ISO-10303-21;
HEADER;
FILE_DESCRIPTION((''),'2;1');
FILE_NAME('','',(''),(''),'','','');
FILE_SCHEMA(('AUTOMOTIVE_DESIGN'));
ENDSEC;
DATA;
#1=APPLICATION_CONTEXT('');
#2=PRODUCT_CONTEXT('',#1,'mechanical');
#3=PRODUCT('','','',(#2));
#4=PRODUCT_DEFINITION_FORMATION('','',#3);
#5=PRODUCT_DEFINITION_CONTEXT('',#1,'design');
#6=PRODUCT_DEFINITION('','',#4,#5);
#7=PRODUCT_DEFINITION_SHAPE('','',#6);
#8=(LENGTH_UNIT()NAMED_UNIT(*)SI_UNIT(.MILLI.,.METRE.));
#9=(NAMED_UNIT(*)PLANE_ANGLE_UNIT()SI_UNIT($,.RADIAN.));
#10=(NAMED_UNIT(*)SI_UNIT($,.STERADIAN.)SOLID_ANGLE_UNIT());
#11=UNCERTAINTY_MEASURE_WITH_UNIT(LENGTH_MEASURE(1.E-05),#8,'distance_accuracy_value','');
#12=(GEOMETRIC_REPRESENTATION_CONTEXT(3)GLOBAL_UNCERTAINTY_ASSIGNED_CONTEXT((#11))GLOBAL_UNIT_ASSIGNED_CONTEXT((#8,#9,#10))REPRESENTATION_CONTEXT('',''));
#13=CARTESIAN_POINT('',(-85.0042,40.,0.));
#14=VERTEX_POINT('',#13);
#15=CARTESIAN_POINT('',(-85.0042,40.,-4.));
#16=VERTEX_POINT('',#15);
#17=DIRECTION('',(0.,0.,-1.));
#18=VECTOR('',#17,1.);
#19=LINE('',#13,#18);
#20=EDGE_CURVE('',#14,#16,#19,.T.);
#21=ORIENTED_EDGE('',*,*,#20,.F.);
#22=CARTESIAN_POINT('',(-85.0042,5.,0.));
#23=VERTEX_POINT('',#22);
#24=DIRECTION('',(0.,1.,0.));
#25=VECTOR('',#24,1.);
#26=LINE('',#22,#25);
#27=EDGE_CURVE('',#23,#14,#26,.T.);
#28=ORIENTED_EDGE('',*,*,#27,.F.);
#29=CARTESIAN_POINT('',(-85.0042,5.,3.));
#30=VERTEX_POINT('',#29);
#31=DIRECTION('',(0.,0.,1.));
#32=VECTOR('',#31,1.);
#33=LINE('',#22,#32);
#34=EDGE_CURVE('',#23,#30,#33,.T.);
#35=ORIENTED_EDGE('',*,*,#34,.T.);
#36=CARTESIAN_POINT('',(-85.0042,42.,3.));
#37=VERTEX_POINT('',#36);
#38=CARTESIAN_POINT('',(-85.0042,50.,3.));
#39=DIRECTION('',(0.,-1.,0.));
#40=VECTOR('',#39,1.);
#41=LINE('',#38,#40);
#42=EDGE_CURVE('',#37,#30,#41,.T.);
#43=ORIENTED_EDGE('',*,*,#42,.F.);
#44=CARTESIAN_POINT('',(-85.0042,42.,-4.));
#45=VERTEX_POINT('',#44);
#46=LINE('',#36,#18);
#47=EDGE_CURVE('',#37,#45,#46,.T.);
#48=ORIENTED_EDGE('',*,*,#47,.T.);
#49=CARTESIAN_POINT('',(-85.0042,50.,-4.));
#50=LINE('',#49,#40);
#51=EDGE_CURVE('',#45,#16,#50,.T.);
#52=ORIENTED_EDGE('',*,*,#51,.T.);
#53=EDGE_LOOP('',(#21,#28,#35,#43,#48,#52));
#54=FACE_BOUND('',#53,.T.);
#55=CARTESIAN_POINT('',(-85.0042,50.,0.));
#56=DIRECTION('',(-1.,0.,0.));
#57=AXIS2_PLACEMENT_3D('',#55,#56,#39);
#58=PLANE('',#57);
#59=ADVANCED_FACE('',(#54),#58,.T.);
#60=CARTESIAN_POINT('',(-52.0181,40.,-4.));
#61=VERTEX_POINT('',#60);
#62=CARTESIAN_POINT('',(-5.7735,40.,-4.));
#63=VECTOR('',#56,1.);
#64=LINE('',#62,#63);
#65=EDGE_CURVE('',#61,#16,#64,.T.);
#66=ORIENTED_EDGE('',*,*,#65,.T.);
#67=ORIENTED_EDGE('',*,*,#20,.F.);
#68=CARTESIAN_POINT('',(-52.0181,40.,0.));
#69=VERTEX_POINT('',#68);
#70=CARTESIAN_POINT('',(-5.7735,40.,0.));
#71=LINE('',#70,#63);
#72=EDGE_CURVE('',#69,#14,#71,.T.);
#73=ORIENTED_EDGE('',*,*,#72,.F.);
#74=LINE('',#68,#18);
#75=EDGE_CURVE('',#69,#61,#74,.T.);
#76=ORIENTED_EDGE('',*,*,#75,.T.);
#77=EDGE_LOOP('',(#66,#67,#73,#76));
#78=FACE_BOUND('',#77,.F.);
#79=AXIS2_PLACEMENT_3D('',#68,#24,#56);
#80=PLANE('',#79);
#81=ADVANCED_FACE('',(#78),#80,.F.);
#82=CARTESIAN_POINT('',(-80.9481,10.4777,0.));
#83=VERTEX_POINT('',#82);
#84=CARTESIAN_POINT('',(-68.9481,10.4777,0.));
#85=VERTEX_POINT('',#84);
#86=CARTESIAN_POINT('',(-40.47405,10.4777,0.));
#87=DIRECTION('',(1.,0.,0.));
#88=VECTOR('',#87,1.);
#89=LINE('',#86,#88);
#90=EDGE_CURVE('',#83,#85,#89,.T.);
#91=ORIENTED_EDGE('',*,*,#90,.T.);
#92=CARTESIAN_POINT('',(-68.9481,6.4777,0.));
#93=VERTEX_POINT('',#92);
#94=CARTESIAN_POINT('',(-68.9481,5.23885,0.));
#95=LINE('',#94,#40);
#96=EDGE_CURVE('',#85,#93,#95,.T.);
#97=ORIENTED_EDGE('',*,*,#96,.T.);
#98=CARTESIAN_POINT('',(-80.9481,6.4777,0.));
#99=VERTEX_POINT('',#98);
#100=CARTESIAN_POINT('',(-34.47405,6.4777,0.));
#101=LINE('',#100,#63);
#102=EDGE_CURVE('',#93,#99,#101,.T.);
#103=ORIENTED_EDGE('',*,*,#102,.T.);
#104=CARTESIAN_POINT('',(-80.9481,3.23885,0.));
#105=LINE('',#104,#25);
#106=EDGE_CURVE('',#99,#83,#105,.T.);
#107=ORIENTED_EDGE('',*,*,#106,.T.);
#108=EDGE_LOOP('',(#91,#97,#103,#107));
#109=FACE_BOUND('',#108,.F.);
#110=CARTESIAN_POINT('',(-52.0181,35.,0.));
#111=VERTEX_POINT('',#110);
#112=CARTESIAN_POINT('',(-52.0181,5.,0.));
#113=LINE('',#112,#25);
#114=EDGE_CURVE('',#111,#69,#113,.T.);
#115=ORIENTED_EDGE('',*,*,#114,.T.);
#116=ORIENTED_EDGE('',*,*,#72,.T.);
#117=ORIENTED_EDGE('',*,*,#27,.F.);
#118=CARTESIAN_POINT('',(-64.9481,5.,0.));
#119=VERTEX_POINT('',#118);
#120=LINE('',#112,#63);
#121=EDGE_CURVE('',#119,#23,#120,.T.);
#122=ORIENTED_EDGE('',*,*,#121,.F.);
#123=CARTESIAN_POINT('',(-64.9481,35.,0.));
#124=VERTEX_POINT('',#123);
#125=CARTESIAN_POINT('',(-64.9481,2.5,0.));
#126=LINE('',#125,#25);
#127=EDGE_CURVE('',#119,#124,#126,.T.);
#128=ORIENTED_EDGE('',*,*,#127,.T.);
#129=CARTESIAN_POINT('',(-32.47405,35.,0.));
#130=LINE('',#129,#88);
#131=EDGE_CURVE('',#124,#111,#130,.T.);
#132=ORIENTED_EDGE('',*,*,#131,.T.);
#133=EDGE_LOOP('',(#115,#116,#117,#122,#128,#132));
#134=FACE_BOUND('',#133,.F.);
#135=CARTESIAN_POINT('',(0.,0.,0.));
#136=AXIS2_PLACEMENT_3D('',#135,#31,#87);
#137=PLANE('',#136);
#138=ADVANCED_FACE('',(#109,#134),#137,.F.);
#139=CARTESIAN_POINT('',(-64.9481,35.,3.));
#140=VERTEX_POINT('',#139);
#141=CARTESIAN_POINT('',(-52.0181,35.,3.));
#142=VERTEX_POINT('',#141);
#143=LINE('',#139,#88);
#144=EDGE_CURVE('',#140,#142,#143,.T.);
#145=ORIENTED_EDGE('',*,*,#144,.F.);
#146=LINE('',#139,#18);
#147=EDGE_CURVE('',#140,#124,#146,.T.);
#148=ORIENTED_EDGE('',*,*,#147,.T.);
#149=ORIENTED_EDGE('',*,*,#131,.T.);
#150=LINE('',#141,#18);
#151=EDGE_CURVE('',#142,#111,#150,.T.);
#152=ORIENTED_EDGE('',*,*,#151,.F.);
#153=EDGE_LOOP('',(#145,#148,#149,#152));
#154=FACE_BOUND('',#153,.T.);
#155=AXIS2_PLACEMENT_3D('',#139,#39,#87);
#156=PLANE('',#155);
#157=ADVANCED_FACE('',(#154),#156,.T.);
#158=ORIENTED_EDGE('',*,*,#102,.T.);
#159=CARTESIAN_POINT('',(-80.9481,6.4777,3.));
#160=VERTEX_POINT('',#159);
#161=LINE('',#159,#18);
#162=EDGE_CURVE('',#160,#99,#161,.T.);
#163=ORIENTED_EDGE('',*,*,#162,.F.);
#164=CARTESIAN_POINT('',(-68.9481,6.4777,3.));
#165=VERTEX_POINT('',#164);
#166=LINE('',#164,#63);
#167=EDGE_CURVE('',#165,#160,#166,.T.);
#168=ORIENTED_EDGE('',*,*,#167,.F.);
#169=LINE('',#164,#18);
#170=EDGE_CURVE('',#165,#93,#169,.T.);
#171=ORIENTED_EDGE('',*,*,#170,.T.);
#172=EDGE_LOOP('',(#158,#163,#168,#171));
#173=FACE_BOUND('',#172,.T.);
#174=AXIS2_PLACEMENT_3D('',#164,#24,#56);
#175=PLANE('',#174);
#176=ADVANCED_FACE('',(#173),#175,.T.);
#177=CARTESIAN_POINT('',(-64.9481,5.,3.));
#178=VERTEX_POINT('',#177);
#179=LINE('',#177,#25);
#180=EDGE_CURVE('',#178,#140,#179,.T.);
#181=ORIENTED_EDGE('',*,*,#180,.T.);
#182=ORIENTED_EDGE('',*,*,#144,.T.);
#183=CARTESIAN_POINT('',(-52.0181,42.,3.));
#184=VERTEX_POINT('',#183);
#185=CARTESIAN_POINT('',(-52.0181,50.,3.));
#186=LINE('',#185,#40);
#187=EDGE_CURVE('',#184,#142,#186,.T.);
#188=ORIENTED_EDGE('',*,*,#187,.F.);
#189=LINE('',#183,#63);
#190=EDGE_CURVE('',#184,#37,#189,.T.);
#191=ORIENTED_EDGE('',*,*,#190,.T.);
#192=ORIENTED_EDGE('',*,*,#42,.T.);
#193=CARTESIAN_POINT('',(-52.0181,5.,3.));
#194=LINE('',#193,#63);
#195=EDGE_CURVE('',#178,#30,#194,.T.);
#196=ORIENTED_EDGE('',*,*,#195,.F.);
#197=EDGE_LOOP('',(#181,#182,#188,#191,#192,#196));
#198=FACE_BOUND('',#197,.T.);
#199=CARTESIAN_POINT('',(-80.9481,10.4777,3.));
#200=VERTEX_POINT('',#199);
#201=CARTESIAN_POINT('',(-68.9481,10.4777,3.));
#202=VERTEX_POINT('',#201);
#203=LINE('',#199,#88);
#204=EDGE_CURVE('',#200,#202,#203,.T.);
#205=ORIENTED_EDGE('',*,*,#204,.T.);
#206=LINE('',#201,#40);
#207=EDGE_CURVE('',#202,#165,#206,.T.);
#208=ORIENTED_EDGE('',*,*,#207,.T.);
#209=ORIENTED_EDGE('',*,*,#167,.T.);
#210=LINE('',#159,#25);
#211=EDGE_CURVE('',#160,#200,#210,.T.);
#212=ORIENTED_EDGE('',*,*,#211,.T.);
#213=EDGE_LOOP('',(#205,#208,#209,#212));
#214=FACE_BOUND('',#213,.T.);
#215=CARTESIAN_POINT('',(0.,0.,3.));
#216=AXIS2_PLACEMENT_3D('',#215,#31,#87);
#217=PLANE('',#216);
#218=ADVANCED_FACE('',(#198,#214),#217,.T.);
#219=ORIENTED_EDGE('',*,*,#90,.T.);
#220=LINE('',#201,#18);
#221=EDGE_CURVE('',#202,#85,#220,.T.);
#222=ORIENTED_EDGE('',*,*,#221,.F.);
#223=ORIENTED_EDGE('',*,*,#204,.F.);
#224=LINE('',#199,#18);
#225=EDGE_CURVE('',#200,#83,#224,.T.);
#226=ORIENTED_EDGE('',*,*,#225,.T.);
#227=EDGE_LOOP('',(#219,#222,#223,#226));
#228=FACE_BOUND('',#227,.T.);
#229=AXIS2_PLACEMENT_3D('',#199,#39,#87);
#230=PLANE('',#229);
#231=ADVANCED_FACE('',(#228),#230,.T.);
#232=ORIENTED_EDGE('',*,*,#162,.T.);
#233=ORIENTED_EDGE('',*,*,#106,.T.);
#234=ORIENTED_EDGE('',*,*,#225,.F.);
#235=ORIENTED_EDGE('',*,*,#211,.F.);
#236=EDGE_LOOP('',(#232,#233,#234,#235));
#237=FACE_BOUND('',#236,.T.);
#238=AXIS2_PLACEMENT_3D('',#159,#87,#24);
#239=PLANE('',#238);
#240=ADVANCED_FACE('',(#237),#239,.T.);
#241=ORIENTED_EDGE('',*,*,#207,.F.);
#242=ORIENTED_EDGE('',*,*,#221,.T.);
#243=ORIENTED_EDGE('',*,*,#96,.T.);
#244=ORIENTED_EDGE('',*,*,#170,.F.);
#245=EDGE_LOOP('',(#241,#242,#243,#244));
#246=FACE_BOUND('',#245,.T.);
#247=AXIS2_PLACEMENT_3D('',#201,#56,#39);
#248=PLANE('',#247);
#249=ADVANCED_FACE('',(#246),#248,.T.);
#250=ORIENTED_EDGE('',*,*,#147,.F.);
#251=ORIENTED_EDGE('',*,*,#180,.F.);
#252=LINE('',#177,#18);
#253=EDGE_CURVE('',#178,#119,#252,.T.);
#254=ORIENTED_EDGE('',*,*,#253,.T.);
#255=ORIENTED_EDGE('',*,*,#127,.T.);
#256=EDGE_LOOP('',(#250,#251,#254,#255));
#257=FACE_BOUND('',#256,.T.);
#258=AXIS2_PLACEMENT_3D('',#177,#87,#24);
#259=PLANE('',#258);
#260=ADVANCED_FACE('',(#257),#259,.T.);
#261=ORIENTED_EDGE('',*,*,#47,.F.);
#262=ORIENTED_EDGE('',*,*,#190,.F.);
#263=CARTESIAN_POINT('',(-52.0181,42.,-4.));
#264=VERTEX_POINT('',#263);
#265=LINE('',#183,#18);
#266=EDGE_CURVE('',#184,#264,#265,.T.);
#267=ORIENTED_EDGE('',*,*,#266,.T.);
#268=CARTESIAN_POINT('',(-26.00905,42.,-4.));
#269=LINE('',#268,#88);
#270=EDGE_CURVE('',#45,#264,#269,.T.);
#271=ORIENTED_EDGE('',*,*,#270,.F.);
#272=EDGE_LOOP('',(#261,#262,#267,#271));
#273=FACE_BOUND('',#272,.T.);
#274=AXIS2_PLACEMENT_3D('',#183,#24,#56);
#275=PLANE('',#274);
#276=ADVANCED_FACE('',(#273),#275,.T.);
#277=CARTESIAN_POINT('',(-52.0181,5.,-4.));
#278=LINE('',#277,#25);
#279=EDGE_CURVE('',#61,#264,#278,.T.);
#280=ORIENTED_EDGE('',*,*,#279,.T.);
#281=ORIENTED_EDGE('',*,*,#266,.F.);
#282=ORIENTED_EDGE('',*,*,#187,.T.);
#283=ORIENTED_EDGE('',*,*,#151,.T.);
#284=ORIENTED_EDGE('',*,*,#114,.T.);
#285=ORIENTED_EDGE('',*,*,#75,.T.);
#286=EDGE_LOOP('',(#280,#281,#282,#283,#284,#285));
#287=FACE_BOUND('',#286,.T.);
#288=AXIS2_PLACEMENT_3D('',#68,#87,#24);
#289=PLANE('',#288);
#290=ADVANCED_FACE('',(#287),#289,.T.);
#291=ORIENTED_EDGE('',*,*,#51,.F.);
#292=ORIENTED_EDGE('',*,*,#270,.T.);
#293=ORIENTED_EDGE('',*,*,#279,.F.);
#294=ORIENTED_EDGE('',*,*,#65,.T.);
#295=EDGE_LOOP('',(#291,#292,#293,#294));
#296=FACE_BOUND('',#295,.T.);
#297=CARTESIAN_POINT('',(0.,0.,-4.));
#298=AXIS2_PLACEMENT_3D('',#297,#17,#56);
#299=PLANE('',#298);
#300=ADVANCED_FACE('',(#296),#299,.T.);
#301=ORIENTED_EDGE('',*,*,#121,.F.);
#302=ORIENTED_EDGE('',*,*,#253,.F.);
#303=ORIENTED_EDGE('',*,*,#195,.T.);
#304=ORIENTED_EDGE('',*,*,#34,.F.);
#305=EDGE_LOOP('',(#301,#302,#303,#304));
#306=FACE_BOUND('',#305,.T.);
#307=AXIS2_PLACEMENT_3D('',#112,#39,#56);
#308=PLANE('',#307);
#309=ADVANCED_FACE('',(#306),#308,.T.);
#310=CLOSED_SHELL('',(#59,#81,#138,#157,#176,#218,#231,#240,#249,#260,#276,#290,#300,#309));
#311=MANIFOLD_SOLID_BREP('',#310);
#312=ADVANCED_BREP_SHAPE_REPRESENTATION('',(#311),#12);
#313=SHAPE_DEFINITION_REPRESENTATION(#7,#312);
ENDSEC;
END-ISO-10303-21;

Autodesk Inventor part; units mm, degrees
ref_plane "YZ Plane" through (0, 0, 0) normal (1, 0, 0) x (0, 1, 0)
ref_plane "XZ Plane" through (0, 0, 0) normal (0, 1, 0) x (-1, 0, 0)
ref_plane "XY Plane" through (0, 0, 0) normal (0, 0, 1) x (1, 0, 0)
sketch "Sketch1" plane through (0, 0, 0) normal (0, 0, 1) x (1, 0, 0)
  line L0 (-3.1754, 5) -> (-49.0181, 5) projected
  line L1 (-3.1754, 40) -> (-3.1754, 5) projected
  line L2 (-97.8609, 40) -> (-3.1754, 40) projected
  line L3 (-97.8609, 5) -> (-97.8609, 40) projected
  line L4 (-52.0181, 5) -> (-97.8609, 5) projected
  line L5 (-52.0181, 5) -> (-52.0181, 37) projected
  line L6 (-52.0181, 37) -> (-49.0181, 37) projected
  line L7 (-49.0181, 37) -> (-49.0181, 5) projected
  line L8 (-52.0181, 5) -> (-85.0042, 5)
  line L9 (-85.0042, 5) -> (-85.0042, 50)
  line L10 (-85.0042, 50) -> (-52.0181, 50)
  line L11 (-52.0181, 50) -> (-52.0181, 5)
  line L12 (-52.0181, 10.5351) -> (-74.9481, 10.5351) construction
  point P0 (0, 0)
  point P1 (-66.8598, 10.5351)
  dimension "d1" = 45
  dimension "d7" = 45.8427
  dimension "d8" = 22.93
extrude "Extrusion1" add sketch "Sketch1" along normal blind 3 contours L11 L5 L4 L9 L2 | L2 L9 L10 L11
sketch "Sketch2" plane through (0, 0, 0) normal (0, 0, -1) x (-1, 0, 0)
  line L0 (95.2628, 40) -> (95.2628, 0) projected
  line L1 (5.7735, 40) -> (95.2628, 40) projected
  line L2 (5.7735, 0) -> (5.7735, 40) projected
  line L3 (95.2628, 0) -> (5.7735, 0) projected
  line L4 (52.0181, 5) -> (52.0181, 50) projected
  line L5 (85.0042, 5) -> (52.0181, 5) projected
  line L6 (85.0042, 50) -> (85.0042, 5) projected
  line L7 (52.0181, 50) -> (85.0042, 50) projected
  line L8 (52.0181, 50) -> (85.0042, 50)
  line L9 (85.0042, 50) -> (85.0042, 40)
  line L10 (85.0042, 40) -> (52.0181, 40)
  line L11 (52.0181, 40) -> (52.0181, 50)
  point P0 (0, 0)
extrude "Extrusion2" add sketch "Sketch2" along normal blind 4 contours L1 L4 L7 L6
sketch "Sketch3" plane through (0, 0, 3) normal (0, 0, 1) x (1, 0, 0)
  line L0 (-80.9481, 10.4777) -> (-68.9481, 10.4777)
  line L1 (-68.9481, 10.4777) -> (-68.9481, 6.4777)
  line L2 (-68.9481, 6.4777) -> (-80.9481, 6.4777)
  line L3 (-80.9481, 6.4777) -> (-80.9481, 10.4777)
  line L4 (-80.9481, 10.4777) -> (-68.9481, 6.4777) construction
  line L5 (-68.9481, 10.4777) -> (-80.9481, 6.4777) construction
  circle A0 centre (-74.9481, 8.4777) radius 2 construction
  circle A1 centre (-71.4481, 8.4777) radius 2 construction
  circle A2 centre (-71.7614, 8.4777) radius 2 construction
  line L6 (-52.0181, 5) -> (-52.0181, 50) projected
  point P0 (0, 0)
  point P1 (-71.4481, 8.4777)
  dimension "d9" = 12
  dimension "d10" = 4
  dimension "d11" = 4
  dimension "d12" = 3.5
  dimension "d13" = 3.5
  dimension "d23" = 22.93
extrude "Extrusion3" cut sketch "Sketch3" against normal blind 4
sketch "Sketch5" plane through (0, 0, 3) normal (0, 0, 1) x (1, 0, 0)
  line L0 (-80.9481, 6.4777) -> (-80.9481, 10.4777) projected
  line L1 (-80.9481, 10.4777) -> (-68.9481, 10.4777) projected
  line L2 (-68.9481, 10.4777) -> (-68.9481, 6.4777) projected
  line L3 (-68.9481, 6.4777) -> (-80.9481, 6.4777) projected
  line L4 (-52.0181, 5) -> (-52.0181, 50) projected
  line L5 (-52.0181, 50) -> (-85.0042, 50) projected
  line L6 (-85.0042, 50) -> (-85.0042, 5) projected
  line L7 (-85.0042, 5) -> (-52.0181, 5) projected
  line L8 (-64.9481, 5) -> (-64.9481, 35)
  line L9 (-64.9481, 35) -> (-52.0181, 35)
  point P0 (0, 0)
  dimension "d39" = 30
  dimension "d40" = 4
extrude "Extrusion5" cut sketch "Sketch5" against normal blind 4 contours L7 L8 L9 L4
chamfer "Chamfer1" [suppressed]
sketch "Sketch6" plane through (0, 0, 3) normal (0, 0, 1) x (1, 0, 0)
  line L0 (-64.9481, 35) -> (-52.0181, 35) projected
  line L1 (-52.0181, 35) -> (-52.0181, 50) projected
  line L2 (-52.0181, 50) -> (-85.0042, 50) projected
  line L3 (-85.0042, 50) -> (-85.0042, 5) projected
  line L4 (-85.0042, 5) -> (-64.9481, 5) projected
  line L5 (-64.9481, 5) -> (-64.9481, 35) projected
  line L6 (-80.9481, 6.4777) -> (-80.9481, 10.4777) projected
  line L7 (-80.9481, 10.4777) -> (-68.9481, 10.4777) projected
  line L8 (-68.9481, 10.4777) -> (-68.9481, 6.4777) projected
  line L9 (-68.9481, 6.4777) -> (-80.9481, 6.4777) projected
  line L10 (-52.0181, 35) -> (-52.0181, 50) projected
  line L11 (-85.0042, 50) -> (-52.0181, 50)
  line L12 (-52.0181, 50) -> (-52.0181, 42)
  line L13 (-52.0181, 42) -> (-85.0042, 42)
  line L14 (-85.0042, 42) -> (-85.0042, 50)
  point P0 (0, 0)
  dimension "d44" = 8
extrude "Extrusion6" cut sketch "Sketch6" against normal blind 12.5 contours L13 L3 L2 L1
sketch "Sketch4" plane through (0, 0, 3) normal (0, 0, 1) x (1, 0, 0)
  line L0 (-80.9481, 6.4777) -> (-80.9481, 10.4777) projected
  line L1 (-80.9481, 10.4777) -> (-68.9481, 10.4777) projected
  line L2 (-68.9481, 10.4777) -> (-68.9481, 6.4777) projected
  line L3 (-68.9481, 6.4777) -> (-80.9481, 6.4777) projected
  line L4 (-52.0181, 5) -> (-52.0181, 50) projected
  line L5 (-52.0181, 50) -> (-85.0042, 50) projected
  line L6 (-85.0042, 50) -> (-85.0042, 5) projected
  line L7 (-85.0042, 5) -> (-52.0181, 5) projected
  line L8 (-81.0042, 47) -> (-56.0181, 47)
  line L9 (-56.0181, 47) -> (-56.0181, 42)
  line L10 (-56.0181, 42) -> (-81.0042, 42)
  line L11 (-81.0042, 42) -> (-81.0042, 47)
  line L12 (-81.0042, 38) -> (-56.0181, 38)
  line L13 (-56.0181, 38) -> (-56.0181, 33)
  line L14 (-56.0181, 33) -> (-81.0042, 33)
  line L15 (-81.0042, 33) -> (-81.0042, 38)
  line L16 (-81.0042, 29) -> (-56.0181, 29)
  line L17 (-56.0181, 29) -> (-56.0181, 24)
  line L18 (-56.0181, 24) -> (-81.0042, 24)
  line L19 (-81.0042, 24) -> (-81.0042, 29)
  line L20 (-81.0042, 20) -> (-56.0181, 20)
  line L21 (-56.0181, 20) -> (-56.0181, 15)
  line L22 (-56.0181, 15) -> (-81.0042, 15)
  line L23 (-81.0042, 15) -> (-81.0042, 20)
  point P0 (0, 0)
  dimension "d24" = 4
  dimension "d25" = 4
  dimension "d26" = 3
  dimension "d27" = 5
  dimension "d30" = 9
equation "\"d13\" = d12"
equation "\"d25\" = d24"
properties part number "Aligner Helper v3"
